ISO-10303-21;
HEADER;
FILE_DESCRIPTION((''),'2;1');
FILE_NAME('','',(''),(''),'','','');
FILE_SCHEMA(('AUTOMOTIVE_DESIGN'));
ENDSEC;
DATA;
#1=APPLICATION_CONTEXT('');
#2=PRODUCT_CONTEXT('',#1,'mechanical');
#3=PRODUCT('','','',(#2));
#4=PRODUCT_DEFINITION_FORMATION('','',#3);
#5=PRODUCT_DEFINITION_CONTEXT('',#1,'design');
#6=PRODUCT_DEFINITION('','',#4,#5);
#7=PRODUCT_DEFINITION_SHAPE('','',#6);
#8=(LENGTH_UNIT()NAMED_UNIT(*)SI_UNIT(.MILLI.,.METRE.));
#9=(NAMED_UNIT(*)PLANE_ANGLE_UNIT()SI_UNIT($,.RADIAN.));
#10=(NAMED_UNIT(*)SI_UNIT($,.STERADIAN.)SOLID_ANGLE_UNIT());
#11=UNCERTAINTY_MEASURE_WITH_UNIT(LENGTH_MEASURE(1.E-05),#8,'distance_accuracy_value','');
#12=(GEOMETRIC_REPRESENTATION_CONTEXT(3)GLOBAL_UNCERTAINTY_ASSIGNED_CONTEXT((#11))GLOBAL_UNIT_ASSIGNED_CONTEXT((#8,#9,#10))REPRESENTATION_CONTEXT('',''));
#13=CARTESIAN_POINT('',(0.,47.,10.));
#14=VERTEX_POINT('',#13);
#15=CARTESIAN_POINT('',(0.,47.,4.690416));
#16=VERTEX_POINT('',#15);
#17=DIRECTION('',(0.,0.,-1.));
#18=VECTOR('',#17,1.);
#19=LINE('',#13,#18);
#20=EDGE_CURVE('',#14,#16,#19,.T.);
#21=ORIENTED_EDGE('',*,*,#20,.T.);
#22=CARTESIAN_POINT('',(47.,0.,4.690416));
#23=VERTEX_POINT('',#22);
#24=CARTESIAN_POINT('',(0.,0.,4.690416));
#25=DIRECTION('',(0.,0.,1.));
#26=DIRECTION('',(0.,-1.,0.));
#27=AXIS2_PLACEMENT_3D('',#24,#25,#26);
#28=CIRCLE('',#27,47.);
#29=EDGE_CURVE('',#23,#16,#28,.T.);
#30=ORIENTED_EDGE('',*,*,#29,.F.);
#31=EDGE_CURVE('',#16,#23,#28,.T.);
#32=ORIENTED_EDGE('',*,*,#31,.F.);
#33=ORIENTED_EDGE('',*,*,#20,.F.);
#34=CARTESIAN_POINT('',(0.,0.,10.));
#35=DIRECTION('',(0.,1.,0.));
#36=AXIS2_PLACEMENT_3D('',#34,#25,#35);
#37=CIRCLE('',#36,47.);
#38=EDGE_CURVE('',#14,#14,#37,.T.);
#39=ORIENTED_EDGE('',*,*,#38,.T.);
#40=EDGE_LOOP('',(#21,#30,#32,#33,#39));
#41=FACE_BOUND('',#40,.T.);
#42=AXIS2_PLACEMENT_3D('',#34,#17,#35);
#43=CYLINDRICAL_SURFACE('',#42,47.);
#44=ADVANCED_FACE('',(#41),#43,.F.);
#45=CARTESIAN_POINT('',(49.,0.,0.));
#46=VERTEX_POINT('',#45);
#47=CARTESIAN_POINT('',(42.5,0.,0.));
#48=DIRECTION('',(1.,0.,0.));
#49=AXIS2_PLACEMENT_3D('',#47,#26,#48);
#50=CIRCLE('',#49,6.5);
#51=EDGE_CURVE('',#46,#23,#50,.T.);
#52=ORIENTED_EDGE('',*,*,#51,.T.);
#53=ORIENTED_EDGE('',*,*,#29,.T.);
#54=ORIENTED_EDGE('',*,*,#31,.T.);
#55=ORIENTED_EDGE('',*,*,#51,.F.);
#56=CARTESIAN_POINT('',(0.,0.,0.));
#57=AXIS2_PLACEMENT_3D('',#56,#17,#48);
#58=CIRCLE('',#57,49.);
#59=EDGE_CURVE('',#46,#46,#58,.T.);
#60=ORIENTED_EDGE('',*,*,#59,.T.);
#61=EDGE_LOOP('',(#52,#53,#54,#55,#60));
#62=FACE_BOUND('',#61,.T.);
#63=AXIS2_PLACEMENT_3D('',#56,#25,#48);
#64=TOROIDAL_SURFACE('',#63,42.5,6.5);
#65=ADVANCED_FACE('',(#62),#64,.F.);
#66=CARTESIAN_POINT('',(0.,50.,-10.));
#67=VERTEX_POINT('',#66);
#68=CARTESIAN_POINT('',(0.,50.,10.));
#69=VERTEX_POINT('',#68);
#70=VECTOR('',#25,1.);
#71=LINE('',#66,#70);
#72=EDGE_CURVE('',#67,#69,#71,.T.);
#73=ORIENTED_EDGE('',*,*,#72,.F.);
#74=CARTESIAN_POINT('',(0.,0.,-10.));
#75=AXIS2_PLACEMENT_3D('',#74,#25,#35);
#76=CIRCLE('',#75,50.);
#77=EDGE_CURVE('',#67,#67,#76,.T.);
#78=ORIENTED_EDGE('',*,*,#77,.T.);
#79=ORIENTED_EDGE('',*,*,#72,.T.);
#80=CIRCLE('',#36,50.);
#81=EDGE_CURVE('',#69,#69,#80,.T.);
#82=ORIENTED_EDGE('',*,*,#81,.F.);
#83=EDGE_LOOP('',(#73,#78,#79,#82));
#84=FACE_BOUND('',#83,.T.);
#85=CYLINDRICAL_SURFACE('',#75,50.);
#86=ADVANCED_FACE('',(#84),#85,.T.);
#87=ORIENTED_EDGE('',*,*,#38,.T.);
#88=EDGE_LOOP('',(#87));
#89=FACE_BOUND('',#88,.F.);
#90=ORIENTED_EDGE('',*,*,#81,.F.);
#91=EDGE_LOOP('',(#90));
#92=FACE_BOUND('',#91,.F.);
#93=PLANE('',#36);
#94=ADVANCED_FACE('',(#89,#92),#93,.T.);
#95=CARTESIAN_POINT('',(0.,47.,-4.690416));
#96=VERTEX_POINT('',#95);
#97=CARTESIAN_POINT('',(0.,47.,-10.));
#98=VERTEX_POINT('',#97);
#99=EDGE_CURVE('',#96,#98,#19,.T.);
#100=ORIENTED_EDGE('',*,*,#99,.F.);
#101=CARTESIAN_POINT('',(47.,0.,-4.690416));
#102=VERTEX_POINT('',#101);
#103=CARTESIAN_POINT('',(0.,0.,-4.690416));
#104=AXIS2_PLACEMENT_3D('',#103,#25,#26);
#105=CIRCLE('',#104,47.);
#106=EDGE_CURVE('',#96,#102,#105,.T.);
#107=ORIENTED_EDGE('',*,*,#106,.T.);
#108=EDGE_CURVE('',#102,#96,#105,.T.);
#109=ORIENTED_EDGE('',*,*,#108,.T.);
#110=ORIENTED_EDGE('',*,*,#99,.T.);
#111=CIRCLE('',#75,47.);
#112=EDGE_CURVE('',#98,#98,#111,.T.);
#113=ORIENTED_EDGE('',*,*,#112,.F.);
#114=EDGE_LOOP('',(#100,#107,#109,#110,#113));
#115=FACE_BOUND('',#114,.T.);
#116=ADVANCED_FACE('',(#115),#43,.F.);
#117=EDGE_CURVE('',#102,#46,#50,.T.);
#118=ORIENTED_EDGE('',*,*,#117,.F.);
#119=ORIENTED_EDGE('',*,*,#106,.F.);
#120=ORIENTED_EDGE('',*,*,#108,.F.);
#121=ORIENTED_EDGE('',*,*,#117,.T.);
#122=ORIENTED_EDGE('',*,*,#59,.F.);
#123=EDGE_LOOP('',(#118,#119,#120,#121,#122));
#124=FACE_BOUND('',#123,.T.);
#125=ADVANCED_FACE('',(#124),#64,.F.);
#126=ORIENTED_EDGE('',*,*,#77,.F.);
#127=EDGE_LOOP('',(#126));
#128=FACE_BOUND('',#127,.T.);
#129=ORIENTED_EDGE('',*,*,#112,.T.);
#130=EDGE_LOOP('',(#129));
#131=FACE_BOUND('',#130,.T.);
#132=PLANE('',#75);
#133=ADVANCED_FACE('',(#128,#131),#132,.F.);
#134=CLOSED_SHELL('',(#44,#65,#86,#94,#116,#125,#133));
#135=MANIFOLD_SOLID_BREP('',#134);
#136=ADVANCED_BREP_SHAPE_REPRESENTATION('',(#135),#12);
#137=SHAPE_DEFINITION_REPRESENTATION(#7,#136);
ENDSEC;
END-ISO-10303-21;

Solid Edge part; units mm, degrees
sketch "Sketch1" plane through (0, 0, 0) normal (1, 0, 0) x (0, 1, 0)
  line L0 (47, 10) -> (47, -10)
  line L1 (47, -10) -> (50, -10)
  line L2 (50, -10) -> (50, 10)
  line L3 (47, 10) -> (50, 10)
  dimension "D1" = 3
  dimension "D2" = 20
revolve "RevolvedProtrusion1" add sketch "Sketch1" angle 360 about axis through (0, 0, -57) along (0, 0, 1)
sketch "Sketch2" plane through (0, 0, 0) normal (0, -1, 0) x (1, 0, 0)
  circle A0 centre (42.5, 0) radius 6.5
  dimension "D1" = 13
revolve "RevolvedCutout1" cut sketch "Sketch2" angle 360 about axis through (0, 0, 54) along (0, 0, -1)
properties material "Polyethylene, low density"
